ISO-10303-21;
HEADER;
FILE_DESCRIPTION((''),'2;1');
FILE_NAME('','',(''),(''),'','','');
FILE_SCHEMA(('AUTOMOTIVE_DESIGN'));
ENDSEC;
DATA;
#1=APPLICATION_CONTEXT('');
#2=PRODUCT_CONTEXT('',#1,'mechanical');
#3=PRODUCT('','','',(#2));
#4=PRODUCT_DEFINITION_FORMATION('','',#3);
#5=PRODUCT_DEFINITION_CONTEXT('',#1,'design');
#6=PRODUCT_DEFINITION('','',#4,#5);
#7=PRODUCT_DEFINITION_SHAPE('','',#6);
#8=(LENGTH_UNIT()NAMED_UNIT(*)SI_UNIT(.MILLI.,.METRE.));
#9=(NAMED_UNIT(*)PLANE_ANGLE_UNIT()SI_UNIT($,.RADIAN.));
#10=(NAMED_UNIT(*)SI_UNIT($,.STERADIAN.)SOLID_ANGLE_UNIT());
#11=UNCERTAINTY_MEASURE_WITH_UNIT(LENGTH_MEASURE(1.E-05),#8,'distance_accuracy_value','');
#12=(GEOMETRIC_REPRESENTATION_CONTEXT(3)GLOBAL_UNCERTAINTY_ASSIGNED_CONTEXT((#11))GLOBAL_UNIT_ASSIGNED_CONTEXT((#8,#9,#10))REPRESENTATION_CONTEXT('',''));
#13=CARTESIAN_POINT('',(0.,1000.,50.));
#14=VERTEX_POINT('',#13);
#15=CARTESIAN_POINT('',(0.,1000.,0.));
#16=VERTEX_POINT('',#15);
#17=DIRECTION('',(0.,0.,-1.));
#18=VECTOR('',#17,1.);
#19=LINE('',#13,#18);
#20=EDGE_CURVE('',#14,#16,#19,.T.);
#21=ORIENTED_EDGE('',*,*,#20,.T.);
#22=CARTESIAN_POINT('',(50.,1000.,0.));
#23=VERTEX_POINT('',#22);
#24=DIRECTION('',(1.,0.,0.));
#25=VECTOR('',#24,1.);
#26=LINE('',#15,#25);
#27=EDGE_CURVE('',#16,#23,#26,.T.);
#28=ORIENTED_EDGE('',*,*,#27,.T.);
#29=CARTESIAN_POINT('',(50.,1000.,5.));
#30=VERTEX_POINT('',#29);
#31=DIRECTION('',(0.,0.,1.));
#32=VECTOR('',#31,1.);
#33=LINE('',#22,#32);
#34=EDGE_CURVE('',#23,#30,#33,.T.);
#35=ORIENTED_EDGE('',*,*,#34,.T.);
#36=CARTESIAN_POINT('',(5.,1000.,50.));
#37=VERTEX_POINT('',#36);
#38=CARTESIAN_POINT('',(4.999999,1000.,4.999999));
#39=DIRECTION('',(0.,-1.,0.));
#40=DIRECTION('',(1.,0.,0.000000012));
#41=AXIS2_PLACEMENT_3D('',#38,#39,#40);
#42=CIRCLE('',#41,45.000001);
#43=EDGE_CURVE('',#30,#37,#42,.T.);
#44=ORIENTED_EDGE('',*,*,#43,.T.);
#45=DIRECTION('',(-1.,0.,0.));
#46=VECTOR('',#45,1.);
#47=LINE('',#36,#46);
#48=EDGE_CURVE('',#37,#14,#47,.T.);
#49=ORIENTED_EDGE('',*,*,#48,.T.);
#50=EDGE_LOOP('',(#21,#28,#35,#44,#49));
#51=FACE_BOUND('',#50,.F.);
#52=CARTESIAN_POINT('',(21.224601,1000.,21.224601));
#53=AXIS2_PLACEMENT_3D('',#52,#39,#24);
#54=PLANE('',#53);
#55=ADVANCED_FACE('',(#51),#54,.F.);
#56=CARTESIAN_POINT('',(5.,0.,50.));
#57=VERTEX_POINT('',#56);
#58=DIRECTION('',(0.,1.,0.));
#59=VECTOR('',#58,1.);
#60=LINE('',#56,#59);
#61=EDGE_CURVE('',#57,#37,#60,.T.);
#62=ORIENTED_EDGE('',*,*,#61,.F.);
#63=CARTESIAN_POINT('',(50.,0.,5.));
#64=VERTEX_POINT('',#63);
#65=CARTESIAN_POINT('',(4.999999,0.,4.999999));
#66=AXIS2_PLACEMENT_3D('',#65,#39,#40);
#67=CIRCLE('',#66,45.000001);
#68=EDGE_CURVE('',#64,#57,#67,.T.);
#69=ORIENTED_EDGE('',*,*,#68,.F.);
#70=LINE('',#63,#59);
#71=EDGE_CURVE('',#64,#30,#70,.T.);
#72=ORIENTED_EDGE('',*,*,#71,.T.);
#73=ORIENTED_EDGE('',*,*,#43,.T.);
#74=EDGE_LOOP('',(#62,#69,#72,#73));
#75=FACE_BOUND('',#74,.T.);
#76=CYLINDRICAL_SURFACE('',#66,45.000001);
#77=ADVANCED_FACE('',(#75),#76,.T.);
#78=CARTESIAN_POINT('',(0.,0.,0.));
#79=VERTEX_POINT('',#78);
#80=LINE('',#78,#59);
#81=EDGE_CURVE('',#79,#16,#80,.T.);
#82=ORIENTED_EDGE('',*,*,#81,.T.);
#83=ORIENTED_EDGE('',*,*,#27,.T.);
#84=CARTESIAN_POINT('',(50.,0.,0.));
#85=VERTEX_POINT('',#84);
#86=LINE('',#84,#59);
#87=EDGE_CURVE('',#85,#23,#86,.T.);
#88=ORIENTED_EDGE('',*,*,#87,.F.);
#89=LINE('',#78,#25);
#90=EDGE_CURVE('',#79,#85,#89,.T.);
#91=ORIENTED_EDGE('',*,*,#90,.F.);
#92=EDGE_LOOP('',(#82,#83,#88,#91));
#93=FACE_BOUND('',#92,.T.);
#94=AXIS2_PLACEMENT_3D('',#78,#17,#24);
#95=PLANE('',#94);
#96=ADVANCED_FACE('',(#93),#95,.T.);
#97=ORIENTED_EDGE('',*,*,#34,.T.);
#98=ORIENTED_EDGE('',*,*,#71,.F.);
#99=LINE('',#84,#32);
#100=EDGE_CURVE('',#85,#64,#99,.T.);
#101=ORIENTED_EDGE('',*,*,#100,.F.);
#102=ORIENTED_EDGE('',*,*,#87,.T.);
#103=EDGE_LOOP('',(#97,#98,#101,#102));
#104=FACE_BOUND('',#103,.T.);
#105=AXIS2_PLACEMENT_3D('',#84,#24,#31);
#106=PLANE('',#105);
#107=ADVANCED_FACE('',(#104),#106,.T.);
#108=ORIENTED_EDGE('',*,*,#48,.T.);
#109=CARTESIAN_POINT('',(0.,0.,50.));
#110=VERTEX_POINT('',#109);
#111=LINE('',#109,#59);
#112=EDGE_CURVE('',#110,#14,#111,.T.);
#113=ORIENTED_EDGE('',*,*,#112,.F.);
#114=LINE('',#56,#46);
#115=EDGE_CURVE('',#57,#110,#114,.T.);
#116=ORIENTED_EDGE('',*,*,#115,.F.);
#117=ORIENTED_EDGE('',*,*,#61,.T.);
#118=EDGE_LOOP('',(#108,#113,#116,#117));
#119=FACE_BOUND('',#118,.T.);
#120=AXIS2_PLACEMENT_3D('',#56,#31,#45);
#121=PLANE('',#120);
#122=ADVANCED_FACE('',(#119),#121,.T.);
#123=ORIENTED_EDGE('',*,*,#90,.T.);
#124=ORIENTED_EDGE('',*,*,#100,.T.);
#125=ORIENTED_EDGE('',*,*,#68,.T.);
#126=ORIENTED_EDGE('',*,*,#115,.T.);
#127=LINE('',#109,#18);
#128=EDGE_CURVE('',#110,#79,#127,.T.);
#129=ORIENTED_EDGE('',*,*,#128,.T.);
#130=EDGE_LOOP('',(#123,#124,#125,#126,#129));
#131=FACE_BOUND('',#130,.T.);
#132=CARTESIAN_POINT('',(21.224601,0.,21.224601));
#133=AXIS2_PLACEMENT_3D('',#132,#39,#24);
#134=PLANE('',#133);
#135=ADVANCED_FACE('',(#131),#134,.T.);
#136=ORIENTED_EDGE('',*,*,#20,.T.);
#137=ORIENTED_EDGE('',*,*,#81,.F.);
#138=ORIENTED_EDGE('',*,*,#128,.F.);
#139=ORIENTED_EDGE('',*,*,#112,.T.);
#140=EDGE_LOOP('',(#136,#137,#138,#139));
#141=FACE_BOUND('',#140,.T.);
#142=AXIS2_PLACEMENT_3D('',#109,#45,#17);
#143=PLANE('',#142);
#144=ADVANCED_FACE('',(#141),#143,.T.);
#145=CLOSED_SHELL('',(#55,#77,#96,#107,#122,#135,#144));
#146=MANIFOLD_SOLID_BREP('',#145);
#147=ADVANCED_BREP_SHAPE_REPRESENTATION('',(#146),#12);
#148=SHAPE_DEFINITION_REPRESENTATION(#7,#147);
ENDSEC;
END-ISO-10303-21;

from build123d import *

# Parameters (mm, degrees)
F1_DEPTH = 1000


with BuildPart() as f1:
    # F0 (on Front) → F1 (new body)
    with BuildSketch(Plane.XZ):
        with BuildLine():
            Line((0, 50), (0, 0))
            Line((0, 0), (50, 0))
            Line((50, 0), (50, 5))
            ThreePointArc((50, 5), (36.819805, 36.819805), (5, 50))
            Line((5, 50), (0, 50))
        make_face()
    extrude(amount=-F1_DEPTH)


solid = f1.part
